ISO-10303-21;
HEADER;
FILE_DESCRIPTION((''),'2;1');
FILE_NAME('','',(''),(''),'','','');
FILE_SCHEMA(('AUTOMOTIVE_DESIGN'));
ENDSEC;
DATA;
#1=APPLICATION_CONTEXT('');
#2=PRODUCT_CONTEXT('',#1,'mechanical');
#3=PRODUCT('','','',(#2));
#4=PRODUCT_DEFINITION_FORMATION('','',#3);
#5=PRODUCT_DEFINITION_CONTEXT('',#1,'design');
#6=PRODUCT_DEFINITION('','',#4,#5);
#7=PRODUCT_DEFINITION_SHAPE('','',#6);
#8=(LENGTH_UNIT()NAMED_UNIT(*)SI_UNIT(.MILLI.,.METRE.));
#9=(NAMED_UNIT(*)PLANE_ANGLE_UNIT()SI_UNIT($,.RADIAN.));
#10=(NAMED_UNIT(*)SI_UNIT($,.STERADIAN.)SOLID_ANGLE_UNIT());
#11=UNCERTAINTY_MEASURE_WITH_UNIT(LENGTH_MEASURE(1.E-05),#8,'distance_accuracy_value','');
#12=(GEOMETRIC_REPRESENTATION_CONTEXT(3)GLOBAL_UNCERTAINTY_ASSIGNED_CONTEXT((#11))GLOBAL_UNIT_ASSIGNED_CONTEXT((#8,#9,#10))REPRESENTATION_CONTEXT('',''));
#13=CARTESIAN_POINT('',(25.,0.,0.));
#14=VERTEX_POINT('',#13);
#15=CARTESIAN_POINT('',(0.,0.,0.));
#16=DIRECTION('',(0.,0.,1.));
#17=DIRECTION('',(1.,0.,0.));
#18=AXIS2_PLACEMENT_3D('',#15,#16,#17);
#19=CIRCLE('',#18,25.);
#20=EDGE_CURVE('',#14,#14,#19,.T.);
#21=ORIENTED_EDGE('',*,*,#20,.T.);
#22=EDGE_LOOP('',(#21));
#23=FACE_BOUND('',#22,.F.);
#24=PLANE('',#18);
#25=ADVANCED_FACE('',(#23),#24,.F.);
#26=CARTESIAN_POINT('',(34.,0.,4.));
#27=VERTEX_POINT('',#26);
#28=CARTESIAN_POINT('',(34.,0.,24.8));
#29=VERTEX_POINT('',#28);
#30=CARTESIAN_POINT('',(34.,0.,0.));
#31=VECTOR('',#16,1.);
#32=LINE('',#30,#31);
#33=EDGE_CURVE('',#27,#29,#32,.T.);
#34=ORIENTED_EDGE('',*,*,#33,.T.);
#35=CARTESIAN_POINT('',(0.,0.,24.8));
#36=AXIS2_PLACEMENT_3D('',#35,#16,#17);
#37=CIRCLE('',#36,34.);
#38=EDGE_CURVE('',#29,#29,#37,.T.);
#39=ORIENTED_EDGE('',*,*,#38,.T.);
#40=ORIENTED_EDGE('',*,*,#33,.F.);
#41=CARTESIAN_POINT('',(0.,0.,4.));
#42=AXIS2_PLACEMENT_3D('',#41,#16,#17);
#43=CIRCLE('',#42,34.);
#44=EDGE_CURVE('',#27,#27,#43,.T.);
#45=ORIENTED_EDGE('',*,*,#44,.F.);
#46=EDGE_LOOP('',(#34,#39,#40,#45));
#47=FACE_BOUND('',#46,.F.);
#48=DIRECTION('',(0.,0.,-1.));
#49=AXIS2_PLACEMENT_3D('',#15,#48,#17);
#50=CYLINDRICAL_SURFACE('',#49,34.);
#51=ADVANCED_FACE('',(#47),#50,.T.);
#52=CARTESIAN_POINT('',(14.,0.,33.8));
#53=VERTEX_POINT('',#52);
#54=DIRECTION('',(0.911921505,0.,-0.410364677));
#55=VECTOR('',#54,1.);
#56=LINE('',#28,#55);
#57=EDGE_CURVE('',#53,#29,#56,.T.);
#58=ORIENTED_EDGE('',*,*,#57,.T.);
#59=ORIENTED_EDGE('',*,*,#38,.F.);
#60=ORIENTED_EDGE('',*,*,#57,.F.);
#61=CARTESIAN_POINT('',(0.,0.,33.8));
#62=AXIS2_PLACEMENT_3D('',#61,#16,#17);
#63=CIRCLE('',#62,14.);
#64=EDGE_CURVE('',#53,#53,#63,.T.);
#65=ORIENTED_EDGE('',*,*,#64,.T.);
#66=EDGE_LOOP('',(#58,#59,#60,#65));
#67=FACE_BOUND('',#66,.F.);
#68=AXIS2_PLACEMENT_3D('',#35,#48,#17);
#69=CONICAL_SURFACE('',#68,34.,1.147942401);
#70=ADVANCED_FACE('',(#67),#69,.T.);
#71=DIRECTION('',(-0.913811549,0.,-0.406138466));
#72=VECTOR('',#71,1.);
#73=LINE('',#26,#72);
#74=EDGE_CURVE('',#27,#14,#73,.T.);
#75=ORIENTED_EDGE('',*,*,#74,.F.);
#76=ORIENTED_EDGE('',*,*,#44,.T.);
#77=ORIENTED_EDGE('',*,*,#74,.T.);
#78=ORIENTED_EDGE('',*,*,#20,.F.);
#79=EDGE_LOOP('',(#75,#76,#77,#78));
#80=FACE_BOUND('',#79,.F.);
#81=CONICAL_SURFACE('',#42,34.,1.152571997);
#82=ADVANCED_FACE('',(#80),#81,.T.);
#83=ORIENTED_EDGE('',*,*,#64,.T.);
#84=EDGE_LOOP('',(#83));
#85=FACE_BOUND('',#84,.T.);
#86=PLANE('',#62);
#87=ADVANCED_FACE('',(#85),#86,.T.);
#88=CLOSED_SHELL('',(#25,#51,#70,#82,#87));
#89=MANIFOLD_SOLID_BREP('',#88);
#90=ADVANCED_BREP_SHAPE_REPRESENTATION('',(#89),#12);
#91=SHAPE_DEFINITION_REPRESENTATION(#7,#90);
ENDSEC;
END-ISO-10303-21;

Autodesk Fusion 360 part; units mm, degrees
sketch "Sketch1" plane through (0, 0, 0) normal (0, 0, 1) x (1, 0, 0)
  circle A0 centre (0, 0) radius 34
  dimension "MotorDia" = 68
extrude "Extrude1" add sketch "Sketch1" along normal blind 33.8
chamfer "Chamfer1" distance 4 distance2 9 1 edges at (-31.6991, -12.2949, 0) measured on face at (33.9577, -1.6948, 22.5333)
chamfer "Chamfer2" distance 20 distance2 9 1 edges at (-31.6991, -12.2949, 33.8) measured on face at (10.8298, 6.4941, 33.8)
